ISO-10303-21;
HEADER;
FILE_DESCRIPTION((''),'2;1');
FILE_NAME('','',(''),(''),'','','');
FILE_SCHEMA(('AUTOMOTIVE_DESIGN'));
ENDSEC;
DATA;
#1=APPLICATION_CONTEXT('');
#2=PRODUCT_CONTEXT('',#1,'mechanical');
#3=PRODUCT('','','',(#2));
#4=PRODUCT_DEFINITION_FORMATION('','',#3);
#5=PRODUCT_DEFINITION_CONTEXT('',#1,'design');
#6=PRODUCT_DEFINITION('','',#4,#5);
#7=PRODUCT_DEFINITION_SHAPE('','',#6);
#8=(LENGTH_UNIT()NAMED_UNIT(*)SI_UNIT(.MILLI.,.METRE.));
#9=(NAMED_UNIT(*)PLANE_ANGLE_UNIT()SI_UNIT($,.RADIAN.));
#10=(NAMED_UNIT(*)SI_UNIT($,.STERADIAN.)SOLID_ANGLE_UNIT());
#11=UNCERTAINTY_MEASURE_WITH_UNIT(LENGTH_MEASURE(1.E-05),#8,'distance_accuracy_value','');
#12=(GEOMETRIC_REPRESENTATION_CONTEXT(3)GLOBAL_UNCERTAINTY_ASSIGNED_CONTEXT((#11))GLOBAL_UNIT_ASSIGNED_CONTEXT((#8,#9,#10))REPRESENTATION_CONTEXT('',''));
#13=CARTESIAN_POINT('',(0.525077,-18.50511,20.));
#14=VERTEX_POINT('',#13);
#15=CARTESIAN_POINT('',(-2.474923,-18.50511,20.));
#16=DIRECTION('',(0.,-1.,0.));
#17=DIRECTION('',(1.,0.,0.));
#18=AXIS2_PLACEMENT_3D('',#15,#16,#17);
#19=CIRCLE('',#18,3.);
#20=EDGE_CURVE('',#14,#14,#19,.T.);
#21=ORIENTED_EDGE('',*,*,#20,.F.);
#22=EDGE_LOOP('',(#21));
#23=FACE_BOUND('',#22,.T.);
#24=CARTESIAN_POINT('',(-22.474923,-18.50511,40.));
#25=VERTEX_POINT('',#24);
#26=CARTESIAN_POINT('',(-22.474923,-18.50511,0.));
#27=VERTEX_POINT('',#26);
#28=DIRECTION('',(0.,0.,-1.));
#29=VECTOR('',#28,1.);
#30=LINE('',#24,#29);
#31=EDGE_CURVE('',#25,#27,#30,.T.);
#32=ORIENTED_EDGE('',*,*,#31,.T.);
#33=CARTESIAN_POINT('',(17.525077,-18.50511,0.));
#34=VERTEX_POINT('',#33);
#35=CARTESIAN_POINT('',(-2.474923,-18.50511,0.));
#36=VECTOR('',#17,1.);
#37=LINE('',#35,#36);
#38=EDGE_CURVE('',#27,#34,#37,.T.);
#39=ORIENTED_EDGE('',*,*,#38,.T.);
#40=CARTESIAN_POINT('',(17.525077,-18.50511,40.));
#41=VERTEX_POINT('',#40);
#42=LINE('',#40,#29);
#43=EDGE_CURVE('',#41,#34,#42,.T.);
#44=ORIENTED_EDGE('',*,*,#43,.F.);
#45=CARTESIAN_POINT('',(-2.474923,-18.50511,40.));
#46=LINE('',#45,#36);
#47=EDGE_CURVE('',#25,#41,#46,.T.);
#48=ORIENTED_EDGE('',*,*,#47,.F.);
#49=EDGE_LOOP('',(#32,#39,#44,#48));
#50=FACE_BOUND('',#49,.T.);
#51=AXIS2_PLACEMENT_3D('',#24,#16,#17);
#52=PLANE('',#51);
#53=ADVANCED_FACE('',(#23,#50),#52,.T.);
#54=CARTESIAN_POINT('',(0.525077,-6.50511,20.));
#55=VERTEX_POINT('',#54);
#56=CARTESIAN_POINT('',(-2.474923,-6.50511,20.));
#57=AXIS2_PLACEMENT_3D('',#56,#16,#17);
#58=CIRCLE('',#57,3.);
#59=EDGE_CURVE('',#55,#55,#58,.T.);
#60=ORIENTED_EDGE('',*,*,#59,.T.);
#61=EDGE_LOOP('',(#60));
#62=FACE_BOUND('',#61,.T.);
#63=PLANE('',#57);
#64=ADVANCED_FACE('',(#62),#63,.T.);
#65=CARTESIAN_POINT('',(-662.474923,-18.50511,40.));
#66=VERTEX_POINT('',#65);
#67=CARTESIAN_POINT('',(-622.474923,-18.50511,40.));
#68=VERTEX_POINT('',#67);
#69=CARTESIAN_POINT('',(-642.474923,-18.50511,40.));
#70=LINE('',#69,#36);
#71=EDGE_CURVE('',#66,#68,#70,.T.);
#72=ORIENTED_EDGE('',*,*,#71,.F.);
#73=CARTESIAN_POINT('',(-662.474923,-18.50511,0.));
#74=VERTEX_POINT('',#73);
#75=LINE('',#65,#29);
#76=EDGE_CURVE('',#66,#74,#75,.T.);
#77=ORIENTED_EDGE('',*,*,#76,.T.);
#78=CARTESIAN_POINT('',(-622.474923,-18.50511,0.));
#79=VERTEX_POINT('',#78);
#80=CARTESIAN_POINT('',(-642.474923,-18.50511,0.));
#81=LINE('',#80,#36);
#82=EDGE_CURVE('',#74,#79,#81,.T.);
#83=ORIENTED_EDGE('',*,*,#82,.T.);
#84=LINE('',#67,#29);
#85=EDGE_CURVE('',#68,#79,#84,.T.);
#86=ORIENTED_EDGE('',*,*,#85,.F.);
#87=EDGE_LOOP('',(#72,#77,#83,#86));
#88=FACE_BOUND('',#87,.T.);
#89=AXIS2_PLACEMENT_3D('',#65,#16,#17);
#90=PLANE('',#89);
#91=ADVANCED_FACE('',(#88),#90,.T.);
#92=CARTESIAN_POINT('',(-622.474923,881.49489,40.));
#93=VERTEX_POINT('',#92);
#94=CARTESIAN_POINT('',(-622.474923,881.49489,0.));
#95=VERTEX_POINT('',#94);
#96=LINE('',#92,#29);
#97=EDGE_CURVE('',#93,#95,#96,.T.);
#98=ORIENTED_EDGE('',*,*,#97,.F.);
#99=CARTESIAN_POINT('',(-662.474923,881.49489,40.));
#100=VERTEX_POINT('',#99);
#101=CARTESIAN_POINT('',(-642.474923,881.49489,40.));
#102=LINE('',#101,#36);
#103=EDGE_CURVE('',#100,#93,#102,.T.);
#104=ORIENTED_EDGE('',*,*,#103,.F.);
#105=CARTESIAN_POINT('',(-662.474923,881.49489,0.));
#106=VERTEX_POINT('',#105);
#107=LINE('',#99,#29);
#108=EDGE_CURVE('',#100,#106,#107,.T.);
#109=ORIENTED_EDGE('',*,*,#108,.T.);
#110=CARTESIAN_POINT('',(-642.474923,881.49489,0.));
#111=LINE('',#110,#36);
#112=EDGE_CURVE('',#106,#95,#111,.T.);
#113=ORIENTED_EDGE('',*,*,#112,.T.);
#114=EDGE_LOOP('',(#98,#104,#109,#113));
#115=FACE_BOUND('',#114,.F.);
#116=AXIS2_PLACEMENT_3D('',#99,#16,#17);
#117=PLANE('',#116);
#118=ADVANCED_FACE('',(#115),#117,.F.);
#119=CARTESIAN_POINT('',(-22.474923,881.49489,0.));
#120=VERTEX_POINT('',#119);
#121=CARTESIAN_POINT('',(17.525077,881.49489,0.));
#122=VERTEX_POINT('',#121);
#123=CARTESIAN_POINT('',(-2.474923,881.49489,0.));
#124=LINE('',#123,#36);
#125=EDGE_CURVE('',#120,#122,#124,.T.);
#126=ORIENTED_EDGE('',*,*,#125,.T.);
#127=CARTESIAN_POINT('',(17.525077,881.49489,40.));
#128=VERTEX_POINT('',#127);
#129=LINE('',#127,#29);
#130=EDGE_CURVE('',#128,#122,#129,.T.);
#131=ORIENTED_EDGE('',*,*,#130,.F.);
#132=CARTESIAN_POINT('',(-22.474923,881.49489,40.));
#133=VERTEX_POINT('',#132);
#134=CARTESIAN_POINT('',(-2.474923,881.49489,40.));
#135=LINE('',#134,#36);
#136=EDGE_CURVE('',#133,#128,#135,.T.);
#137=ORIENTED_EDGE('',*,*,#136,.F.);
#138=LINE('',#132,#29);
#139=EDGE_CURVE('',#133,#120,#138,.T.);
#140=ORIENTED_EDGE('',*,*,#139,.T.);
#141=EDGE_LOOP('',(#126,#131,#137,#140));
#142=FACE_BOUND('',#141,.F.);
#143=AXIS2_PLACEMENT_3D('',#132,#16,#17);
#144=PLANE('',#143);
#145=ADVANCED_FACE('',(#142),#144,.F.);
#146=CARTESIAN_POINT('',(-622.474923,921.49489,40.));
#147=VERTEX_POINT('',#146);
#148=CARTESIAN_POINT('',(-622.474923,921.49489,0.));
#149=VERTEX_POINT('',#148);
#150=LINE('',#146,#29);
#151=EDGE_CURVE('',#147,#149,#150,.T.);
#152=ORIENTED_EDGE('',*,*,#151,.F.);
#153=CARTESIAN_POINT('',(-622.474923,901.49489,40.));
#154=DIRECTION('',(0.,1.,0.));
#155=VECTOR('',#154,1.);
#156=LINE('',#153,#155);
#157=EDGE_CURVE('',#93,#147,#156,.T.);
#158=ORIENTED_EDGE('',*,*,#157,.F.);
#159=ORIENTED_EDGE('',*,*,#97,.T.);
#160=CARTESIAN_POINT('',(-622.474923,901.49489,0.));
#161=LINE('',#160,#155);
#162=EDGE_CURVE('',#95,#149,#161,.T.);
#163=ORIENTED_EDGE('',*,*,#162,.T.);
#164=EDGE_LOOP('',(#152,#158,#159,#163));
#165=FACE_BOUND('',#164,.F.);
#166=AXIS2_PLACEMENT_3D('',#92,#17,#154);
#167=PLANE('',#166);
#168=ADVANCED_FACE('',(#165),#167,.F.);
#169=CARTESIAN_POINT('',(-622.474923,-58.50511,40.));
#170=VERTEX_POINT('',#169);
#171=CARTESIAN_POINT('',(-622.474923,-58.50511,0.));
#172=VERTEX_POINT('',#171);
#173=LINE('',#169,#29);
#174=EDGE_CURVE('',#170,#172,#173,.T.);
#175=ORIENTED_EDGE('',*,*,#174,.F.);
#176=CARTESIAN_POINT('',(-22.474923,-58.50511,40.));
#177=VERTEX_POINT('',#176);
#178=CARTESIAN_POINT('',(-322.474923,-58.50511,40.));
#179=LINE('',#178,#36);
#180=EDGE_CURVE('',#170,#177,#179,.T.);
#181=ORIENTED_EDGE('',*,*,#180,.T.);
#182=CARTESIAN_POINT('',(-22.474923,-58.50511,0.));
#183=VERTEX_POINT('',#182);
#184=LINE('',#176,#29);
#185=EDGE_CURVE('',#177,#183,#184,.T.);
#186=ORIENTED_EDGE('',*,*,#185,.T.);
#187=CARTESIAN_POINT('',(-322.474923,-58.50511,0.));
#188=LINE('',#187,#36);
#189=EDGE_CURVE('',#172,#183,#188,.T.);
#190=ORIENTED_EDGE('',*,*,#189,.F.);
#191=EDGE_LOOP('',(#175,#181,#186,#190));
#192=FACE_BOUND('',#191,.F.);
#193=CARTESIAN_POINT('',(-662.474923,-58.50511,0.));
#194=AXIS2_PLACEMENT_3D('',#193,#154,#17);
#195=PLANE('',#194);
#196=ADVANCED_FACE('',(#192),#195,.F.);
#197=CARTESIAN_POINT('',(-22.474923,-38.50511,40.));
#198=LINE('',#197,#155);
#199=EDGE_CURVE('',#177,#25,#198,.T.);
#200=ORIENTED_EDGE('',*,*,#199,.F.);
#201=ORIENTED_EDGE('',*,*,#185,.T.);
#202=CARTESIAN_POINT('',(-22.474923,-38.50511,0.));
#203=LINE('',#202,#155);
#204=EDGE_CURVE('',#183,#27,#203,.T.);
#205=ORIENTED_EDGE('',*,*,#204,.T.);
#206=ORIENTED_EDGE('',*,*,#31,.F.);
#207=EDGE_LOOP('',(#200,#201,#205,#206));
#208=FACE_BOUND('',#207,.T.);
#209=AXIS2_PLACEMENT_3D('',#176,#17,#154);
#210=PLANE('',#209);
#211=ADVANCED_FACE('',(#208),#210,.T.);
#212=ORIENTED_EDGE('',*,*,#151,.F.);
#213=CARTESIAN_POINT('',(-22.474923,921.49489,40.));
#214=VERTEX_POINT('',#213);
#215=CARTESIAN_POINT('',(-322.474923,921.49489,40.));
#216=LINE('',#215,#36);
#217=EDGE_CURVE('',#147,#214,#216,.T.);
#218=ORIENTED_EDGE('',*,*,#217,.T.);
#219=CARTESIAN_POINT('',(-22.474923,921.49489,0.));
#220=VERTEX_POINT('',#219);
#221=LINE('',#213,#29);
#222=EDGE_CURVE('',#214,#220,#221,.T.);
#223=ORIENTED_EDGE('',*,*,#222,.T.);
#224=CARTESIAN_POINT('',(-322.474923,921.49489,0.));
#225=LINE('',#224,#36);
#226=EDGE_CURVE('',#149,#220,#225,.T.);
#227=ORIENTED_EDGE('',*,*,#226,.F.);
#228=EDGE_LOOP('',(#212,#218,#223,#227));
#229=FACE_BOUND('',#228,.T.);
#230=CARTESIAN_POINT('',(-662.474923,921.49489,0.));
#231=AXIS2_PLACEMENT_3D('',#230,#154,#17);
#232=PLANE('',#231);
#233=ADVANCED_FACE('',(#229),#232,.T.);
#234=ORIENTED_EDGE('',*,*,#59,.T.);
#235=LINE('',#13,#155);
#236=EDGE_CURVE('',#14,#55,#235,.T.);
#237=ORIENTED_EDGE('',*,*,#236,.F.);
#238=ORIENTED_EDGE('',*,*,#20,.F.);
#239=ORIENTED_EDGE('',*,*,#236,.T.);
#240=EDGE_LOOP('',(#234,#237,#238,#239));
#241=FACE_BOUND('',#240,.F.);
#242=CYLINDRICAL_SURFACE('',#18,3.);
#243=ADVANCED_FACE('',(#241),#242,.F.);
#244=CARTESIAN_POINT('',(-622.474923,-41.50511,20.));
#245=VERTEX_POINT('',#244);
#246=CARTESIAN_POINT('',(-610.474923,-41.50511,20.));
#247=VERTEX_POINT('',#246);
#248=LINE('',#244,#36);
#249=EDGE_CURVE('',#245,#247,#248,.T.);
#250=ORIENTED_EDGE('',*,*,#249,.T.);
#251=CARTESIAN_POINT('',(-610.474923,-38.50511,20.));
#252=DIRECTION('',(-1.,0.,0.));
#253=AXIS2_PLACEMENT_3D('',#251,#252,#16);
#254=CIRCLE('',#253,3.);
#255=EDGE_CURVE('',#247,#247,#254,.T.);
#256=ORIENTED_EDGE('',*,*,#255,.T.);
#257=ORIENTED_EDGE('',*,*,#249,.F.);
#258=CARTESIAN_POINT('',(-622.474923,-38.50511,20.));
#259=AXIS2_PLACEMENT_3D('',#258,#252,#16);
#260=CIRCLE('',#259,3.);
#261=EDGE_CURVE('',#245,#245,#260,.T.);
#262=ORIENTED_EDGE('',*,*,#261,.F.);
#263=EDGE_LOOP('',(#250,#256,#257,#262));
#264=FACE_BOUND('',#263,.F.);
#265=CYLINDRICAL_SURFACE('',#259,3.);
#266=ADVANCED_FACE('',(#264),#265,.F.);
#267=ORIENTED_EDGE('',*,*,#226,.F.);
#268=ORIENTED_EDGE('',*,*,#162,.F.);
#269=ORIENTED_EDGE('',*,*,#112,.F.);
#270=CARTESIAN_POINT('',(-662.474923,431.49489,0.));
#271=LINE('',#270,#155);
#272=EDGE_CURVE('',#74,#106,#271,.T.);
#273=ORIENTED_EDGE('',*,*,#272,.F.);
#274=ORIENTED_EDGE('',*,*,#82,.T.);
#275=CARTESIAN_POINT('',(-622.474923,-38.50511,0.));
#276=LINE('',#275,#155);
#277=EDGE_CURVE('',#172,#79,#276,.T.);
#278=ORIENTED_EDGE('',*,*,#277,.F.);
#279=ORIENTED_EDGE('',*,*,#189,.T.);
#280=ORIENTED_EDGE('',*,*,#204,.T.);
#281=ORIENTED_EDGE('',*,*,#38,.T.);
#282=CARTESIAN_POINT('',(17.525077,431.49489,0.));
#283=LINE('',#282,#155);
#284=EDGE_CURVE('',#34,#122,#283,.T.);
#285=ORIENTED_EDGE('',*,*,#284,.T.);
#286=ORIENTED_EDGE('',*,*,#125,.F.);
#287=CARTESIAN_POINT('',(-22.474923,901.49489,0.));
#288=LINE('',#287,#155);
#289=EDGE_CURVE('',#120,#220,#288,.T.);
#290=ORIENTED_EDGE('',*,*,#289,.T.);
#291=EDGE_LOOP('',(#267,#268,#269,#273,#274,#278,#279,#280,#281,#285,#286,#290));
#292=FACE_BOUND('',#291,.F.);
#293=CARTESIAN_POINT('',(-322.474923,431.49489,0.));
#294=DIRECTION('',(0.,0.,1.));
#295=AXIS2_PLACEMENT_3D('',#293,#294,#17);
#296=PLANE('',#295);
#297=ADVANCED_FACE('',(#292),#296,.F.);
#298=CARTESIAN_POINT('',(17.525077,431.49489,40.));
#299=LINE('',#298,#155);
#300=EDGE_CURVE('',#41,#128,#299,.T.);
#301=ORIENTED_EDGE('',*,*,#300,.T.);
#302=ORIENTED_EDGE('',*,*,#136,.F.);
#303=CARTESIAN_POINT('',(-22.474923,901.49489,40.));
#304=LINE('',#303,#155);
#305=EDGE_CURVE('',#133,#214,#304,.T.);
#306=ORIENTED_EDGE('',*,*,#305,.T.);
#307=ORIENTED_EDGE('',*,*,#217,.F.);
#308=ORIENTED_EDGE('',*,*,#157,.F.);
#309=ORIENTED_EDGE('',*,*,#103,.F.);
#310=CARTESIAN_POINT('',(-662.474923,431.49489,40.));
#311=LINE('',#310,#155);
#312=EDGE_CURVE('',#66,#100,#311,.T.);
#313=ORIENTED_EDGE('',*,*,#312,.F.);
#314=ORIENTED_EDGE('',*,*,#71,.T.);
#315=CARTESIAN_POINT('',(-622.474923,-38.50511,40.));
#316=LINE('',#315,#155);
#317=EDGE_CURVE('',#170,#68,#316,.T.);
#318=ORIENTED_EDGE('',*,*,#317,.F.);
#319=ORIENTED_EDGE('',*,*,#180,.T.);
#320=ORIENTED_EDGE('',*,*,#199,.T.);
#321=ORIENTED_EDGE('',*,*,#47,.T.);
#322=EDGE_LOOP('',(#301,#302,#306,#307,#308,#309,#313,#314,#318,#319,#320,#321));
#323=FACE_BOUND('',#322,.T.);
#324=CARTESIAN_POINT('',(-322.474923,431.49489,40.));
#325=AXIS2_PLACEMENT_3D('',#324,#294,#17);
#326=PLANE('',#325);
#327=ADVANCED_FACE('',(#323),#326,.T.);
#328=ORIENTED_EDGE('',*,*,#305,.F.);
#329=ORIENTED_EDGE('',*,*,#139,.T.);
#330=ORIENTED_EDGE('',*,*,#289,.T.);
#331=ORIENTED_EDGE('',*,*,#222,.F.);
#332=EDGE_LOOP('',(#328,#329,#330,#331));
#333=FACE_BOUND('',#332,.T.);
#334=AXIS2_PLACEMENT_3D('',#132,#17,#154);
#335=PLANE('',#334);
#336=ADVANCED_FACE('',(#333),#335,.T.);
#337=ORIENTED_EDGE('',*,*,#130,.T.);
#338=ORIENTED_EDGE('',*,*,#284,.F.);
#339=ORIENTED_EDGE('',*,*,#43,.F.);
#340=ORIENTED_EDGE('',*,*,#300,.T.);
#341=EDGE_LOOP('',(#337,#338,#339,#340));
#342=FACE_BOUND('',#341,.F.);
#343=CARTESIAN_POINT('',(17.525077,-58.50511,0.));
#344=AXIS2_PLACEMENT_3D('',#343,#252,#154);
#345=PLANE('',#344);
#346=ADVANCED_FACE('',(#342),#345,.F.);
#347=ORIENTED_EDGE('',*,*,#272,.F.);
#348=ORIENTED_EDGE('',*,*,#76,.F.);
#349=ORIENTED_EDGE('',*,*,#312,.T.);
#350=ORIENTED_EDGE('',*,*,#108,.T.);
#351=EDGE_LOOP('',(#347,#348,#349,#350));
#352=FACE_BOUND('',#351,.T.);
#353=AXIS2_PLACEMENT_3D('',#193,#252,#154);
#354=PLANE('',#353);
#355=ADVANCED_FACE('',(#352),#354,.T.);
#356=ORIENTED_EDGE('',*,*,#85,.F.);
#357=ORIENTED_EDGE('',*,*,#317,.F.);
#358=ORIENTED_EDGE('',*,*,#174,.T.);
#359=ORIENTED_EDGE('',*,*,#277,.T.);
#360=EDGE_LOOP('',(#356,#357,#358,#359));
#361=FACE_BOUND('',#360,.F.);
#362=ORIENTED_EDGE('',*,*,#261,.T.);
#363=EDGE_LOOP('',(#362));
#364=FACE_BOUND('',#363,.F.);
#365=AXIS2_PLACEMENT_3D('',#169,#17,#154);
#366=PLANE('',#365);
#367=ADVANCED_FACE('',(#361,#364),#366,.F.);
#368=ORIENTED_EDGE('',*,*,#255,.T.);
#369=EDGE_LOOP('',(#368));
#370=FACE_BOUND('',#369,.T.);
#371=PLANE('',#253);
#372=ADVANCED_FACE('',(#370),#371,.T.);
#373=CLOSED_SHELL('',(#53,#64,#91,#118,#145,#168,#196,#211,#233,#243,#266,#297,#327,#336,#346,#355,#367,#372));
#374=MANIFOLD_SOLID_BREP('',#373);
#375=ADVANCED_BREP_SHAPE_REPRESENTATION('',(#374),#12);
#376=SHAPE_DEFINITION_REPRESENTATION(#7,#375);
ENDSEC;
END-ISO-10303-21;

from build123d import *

# Parameters (mm, degrees)
F0_W     = 680
F0_H     = 980
F1_DEPTH = 40
F2_W     = 40
F2_H     = 40
F3_DEPTH = 40
F4_R     = 3
F5_DEPTH = 12
F6_R     = 3
F7_DEPTH = 12


with BuildPart() as f1:
    # F0 (on Top) → F1 (new body)
    with BuildSketch(Plane.XY):
        with Locations((-322.474923, 431.49489)):
            Rectangle(F0_W, F0_H)
    extrude(amount=F1_DEPTH)

    # F2 (on face) → F3 (cut)
    with BuildSketch(Plane.XY.offset(40)):
        with Locations((-642.474923, 901.49489)):
            Rectangle(F2_W, F2_H)
        with Locations((-2.474923, 901.49489)):
            Rectangle(F2_W, F2_H)
        with Locations((-642.474923, -38.50511)):
            Rectangle(F2_W, F2_H)
        with Locations((-2.474923, -38.50511)):
            Rectangle(F2_W, F2_H)
    extrude(amount=-F3_DEPTH, mode=Mode.SUBTRACT)

    # F4 (on face) → F5 (cut)
    with BuildSketch(Plane.XZ.offset(18.50511)):
        with Locations((-2.474923, 20)):
            Circle(F4_R)
    extrude(amount=-F5_DEPTH, mode=Mode.SUBTRACT)

    # F6 (on face) → F7 (cut)
    with BuildSketch(Plane(origin=(-622.474923, 0, 0), x_dir=(0, -1, 0), z_dir=(-1, 0, 0))):
        with Locations((38.50511, 20)):
            Circle(F6_R)
    extrude(amount=-F7_DEPTH, mode=Mode.SUBTRACT)


solid = f1.part
